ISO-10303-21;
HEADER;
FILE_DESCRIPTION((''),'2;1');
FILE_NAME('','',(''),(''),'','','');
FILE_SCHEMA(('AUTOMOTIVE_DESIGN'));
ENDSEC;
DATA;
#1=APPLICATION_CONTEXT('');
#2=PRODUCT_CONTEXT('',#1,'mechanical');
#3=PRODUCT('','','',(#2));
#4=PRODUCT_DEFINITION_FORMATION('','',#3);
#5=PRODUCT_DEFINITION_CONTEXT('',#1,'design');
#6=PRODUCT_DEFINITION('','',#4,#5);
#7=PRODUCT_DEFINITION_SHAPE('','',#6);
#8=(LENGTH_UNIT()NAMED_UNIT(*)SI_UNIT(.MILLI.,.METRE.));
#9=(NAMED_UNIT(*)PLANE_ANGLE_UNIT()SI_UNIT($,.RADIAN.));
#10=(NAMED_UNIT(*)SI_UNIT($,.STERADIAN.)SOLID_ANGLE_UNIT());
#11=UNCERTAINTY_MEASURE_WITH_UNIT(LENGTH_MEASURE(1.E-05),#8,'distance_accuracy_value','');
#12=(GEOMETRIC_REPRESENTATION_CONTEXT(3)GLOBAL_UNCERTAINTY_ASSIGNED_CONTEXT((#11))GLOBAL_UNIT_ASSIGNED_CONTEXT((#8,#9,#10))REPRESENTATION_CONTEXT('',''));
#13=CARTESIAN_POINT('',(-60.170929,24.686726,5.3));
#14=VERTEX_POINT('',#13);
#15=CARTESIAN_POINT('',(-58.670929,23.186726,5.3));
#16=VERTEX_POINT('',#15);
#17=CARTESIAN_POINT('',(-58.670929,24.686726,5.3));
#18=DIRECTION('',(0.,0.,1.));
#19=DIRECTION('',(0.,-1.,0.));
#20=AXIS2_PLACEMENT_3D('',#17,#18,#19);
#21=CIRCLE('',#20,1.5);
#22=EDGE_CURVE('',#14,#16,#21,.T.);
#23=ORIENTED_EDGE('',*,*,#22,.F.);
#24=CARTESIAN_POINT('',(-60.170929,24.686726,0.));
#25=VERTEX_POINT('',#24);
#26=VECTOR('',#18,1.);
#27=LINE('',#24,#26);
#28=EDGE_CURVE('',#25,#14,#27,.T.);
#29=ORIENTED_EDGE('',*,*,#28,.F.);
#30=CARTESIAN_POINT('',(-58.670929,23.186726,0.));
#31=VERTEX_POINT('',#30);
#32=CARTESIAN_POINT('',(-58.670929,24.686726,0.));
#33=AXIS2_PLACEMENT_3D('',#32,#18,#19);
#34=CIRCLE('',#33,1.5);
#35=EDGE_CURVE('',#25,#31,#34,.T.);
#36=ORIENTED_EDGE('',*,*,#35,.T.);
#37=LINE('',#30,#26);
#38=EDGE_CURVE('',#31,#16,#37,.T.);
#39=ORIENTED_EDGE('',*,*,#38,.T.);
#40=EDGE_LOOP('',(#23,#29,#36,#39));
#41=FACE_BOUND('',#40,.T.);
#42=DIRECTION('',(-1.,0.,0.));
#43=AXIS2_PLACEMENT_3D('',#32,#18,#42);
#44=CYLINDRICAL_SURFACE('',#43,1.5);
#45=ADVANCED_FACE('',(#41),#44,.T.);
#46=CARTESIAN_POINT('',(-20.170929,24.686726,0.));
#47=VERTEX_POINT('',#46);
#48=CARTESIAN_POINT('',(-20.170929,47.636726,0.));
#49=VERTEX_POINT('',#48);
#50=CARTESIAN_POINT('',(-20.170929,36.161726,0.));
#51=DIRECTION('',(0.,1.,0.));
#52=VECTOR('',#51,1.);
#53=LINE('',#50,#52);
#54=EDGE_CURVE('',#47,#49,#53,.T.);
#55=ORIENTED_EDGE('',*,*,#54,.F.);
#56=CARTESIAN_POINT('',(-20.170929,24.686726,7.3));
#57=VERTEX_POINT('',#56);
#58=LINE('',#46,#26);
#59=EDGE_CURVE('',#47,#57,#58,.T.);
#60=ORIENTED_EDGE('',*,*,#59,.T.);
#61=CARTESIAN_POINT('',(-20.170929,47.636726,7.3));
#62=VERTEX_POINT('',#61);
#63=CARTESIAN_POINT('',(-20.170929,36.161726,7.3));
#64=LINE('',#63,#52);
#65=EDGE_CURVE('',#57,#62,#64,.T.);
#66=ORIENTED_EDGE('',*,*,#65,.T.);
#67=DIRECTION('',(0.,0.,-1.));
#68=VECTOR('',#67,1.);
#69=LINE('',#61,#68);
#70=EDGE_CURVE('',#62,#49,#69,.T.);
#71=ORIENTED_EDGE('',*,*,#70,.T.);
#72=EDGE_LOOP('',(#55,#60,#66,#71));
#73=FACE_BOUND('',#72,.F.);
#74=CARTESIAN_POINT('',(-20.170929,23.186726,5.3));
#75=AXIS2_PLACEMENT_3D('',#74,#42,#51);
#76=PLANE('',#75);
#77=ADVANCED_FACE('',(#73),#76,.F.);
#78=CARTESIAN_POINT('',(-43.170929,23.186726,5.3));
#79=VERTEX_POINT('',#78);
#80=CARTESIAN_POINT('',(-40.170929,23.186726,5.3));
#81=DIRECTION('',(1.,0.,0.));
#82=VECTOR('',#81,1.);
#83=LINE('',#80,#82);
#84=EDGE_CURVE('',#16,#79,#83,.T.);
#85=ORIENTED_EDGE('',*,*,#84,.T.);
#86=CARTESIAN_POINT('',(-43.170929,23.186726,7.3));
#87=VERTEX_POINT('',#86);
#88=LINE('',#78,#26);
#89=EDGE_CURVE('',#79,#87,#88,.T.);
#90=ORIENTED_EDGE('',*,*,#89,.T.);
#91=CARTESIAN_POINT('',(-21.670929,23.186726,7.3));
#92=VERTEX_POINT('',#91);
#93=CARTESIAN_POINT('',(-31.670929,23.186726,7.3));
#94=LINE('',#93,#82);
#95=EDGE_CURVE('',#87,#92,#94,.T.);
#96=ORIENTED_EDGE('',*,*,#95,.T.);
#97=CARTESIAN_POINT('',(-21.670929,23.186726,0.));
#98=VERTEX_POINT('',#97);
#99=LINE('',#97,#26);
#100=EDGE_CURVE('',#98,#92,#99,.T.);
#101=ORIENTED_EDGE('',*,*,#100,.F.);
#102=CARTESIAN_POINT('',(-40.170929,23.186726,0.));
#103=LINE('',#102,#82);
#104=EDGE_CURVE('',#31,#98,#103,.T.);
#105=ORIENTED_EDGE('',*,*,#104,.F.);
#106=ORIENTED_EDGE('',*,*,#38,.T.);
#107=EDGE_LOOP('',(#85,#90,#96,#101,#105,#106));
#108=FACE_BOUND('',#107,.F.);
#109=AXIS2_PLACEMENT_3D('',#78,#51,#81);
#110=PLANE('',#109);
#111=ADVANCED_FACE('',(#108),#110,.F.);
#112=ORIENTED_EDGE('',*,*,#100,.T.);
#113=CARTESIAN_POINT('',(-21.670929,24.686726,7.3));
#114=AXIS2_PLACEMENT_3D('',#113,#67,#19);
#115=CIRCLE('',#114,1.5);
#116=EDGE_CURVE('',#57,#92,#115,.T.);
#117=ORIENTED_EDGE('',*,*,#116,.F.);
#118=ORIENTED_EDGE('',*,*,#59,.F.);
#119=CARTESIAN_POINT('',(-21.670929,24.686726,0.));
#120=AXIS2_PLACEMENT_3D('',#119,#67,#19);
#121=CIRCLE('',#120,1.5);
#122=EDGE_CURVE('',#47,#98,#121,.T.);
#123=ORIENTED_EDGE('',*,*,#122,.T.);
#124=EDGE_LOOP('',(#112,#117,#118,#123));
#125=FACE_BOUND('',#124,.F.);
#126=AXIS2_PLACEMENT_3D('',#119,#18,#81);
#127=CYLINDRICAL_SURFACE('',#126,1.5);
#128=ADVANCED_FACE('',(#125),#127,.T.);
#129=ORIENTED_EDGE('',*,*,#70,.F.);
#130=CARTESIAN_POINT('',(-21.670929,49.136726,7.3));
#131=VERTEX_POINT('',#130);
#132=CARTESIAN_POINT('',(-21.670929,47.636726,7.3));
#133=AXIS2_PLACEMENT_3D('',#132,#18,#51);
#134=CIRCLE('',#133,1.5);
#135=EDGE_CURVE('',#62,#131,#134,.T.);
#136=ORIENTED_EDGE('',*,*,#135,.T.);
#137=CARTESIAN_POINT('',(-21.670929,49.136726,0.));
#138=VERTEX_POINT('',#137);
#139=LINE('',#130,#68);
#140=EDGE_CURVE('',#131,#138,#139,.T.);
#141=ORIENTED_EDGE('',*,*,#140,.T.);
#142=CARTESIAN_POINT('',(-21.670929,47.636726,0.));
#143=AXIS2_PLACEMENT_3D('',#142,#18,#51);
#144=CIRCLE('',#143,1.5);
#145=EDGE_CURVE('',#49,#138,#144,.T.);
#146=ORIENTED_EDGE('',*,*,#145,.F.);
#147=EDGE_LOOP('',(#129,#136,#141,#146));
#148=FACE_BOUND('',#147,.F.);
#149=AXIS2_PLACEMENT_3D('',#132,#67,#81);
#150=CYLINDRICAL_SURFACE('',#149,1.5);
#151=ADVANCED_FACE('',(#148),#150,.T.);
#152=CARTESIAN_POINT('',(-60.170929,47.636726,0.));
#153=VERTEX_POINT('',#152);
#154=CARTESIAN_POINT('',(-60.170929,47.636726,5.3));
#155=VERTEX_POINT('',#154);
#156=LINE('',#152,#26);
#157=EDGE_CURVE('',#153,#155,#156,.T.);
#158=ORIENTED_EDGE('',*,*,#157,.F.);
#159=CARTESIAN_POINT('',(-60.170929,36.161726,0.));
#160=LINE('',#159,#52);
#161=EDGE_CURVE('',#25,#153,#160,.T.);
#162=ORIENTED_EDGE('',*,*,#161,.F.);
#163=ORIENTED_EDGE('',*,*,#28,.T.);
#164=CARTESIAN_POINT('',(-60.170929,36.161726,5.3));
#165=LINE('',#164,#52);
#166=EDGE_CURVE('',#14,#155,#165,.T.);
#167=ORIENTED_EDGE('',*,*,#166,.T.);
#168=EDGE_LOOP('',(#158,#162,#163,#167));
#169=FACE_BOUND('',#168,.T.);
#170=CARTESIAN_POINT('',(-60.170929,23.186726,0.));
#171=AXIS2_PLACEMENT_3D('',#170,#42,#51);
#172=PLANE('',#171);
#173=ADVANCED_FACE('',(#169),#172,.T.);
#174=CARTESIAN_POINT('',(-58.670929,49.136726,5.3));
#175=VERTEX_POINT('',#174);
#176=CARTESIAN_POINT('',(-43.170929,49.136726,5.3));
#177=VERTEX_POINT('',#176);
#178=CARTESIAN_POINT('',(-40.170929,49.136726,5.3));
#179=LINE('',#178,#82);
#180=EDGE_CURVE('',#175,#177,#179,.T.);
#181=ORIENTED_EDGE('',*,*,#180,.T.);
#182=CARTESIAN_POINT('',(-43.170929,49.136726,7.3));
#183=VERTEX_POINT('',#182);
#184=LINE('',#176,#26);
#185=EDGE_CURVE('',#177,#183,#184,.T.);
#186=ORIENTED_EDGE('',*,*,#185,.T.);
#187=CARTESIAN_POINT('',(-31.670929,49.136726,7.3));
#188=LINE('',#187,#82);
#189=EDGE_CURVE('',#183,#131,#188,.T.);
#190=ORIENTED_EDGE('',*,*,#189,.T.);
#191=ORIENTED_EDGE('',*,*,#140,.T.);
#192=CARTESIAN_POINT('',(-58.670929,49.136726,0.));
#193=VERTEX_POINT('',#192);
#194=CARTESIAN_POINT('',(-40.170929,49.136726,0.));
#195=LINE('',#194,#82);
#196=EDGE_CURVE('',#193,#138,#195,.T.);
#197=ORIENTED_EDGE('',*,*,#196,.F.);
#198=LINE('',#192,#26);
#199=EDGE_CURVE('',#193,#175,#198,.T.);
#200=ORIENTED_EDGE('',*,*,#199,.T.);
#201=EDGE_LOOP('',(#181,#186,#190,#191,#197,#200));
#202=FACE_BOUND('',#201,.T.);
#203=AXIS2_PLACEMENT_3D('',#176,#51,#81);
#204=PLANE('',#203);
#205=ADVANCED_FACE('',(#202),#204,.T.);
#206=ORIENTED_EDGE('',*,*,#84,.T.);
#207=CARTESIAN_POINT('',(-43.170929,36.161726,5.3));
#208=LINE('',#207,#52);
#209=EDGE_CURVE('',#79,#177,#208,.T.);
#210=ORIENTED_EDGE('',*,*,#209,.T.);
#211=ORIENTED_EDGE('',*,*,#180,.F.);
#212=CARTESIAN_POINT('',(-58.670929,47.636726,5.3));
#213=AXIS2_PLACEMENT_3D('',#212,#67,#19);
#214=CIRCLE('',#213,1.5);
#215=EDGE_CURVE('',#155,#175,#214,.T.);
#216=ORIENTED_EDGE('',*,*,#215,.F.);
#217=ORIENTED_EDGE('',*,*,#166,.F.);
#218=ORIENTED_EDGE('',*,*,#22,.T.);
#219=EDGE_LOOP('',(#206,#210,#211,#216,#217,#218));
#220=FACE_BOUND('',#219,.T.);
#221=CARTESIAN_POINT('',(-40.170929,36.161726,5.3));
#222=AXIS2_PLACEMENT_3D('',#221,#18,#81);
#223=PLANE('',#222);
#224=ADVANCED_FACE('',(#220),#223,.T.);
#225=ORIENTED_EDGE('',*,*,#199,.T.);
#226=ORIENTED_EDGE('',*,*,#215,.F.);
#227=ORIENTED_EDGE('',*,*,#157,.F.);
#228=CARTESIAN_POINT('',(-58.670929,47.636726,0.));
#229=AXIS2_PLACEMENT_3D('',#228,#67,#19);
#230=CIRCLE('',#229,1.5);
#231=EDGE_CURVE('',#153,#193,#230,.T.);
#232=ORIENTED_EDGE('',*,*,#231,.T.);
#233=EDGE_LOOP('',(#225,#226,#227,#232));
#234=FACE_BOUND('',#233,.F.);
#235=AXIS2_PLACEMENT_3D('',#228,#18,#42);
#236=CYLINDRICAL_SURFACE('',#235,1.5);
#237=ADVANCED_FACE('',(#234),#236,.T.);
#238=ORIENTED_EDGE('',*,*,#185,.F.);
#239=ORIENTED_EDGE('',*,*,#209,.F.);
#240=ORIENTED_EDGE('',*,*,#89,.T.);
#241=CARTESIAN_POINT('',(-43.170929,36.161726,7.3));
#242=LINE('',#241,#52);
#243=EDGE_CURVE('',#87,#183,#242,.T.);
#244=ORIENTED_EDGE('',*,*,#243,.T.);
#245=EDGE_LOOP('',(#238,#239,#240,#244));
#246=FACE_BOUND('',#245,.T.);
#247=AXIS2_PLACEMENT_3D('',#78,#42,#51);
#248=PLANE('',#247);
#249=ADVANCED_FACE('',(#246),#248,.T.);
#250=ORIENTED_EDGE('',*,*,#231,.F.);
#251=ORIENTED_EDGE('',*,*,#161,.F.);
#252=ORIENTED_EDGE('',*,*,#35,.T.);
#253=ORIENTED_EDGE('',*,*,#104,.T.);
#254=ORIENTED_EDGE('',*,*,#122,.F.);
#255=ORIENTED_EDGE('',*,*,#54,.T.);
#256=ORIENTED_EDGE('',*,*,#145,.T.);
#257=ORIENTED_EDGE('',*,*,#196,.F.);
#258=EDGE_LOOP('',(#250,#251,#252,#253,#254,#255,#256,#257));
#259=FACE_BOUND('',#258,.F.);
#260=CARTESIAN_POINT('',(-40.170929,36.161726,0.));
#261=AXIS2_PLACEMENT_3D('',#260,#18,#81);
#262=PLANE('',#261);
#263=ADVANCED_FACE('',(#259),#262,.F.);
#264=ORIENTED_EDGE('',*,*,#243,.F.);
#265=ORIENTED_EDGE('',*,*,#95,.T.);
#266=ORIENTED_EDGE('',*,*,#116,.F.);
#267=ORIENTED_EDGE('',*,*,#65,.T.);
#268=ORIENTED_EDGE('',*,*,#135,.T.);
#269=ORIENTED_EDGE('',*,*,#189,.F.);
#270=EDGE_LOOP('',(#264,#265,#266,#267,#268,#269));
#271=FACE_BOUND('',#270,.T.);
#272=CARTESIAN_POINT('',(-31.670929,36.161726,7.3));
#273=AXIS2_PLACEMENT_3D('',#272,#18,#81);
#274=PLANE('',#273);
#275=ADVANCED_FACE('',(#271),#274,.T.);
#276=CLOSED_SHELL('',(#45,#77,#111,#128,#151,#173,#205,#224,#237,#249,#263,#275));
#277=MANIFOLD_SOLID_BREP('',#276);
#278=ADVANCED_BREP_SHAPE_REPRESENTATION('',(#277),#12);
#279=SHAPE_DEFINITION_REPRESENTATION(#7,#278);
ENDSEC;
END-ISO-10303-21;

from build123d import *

# Parameters (mm, degrees)
F0_W     = 40
F0_H     = 25.95
F1_DEPTH = 5.3
F2_W     = 23
F2_H     = 25.95
F3_DEPTH = 2
F4_R     = 1.5


with BuildPart() as f1:
    # F0 (on Top) → F1 (new body)
    with BuildSketch(Plane.XY):
        with Locations((-40.170929, 36.161726)):
            Rectangle(F0_W, F0_H)
    extrude(amount=F1_DEPTH)

    # F2 (on face) → F3 (join)
    with BuildSketch(Plane.XY.offset(5.3)):
        with Locations((-31.670929, 36.161726)):
            Rectangle(F2_W, F2_H)
    extrude(amount=F3_DEPTH)

    # F4
    f4_edges = [f1.edges().sort_by_distance(p)[0] for p in [
        (-20.170929, 23.186726, 3.65),
        (-20.170929, 49.136726, 3.65),
        (-60.170929, 23.186726, 2.65),
        (-60.170929, 49.136726, 2.65),
    ]]
    fillet(f4_edges, radius=F4_R)


solid = f1.part
